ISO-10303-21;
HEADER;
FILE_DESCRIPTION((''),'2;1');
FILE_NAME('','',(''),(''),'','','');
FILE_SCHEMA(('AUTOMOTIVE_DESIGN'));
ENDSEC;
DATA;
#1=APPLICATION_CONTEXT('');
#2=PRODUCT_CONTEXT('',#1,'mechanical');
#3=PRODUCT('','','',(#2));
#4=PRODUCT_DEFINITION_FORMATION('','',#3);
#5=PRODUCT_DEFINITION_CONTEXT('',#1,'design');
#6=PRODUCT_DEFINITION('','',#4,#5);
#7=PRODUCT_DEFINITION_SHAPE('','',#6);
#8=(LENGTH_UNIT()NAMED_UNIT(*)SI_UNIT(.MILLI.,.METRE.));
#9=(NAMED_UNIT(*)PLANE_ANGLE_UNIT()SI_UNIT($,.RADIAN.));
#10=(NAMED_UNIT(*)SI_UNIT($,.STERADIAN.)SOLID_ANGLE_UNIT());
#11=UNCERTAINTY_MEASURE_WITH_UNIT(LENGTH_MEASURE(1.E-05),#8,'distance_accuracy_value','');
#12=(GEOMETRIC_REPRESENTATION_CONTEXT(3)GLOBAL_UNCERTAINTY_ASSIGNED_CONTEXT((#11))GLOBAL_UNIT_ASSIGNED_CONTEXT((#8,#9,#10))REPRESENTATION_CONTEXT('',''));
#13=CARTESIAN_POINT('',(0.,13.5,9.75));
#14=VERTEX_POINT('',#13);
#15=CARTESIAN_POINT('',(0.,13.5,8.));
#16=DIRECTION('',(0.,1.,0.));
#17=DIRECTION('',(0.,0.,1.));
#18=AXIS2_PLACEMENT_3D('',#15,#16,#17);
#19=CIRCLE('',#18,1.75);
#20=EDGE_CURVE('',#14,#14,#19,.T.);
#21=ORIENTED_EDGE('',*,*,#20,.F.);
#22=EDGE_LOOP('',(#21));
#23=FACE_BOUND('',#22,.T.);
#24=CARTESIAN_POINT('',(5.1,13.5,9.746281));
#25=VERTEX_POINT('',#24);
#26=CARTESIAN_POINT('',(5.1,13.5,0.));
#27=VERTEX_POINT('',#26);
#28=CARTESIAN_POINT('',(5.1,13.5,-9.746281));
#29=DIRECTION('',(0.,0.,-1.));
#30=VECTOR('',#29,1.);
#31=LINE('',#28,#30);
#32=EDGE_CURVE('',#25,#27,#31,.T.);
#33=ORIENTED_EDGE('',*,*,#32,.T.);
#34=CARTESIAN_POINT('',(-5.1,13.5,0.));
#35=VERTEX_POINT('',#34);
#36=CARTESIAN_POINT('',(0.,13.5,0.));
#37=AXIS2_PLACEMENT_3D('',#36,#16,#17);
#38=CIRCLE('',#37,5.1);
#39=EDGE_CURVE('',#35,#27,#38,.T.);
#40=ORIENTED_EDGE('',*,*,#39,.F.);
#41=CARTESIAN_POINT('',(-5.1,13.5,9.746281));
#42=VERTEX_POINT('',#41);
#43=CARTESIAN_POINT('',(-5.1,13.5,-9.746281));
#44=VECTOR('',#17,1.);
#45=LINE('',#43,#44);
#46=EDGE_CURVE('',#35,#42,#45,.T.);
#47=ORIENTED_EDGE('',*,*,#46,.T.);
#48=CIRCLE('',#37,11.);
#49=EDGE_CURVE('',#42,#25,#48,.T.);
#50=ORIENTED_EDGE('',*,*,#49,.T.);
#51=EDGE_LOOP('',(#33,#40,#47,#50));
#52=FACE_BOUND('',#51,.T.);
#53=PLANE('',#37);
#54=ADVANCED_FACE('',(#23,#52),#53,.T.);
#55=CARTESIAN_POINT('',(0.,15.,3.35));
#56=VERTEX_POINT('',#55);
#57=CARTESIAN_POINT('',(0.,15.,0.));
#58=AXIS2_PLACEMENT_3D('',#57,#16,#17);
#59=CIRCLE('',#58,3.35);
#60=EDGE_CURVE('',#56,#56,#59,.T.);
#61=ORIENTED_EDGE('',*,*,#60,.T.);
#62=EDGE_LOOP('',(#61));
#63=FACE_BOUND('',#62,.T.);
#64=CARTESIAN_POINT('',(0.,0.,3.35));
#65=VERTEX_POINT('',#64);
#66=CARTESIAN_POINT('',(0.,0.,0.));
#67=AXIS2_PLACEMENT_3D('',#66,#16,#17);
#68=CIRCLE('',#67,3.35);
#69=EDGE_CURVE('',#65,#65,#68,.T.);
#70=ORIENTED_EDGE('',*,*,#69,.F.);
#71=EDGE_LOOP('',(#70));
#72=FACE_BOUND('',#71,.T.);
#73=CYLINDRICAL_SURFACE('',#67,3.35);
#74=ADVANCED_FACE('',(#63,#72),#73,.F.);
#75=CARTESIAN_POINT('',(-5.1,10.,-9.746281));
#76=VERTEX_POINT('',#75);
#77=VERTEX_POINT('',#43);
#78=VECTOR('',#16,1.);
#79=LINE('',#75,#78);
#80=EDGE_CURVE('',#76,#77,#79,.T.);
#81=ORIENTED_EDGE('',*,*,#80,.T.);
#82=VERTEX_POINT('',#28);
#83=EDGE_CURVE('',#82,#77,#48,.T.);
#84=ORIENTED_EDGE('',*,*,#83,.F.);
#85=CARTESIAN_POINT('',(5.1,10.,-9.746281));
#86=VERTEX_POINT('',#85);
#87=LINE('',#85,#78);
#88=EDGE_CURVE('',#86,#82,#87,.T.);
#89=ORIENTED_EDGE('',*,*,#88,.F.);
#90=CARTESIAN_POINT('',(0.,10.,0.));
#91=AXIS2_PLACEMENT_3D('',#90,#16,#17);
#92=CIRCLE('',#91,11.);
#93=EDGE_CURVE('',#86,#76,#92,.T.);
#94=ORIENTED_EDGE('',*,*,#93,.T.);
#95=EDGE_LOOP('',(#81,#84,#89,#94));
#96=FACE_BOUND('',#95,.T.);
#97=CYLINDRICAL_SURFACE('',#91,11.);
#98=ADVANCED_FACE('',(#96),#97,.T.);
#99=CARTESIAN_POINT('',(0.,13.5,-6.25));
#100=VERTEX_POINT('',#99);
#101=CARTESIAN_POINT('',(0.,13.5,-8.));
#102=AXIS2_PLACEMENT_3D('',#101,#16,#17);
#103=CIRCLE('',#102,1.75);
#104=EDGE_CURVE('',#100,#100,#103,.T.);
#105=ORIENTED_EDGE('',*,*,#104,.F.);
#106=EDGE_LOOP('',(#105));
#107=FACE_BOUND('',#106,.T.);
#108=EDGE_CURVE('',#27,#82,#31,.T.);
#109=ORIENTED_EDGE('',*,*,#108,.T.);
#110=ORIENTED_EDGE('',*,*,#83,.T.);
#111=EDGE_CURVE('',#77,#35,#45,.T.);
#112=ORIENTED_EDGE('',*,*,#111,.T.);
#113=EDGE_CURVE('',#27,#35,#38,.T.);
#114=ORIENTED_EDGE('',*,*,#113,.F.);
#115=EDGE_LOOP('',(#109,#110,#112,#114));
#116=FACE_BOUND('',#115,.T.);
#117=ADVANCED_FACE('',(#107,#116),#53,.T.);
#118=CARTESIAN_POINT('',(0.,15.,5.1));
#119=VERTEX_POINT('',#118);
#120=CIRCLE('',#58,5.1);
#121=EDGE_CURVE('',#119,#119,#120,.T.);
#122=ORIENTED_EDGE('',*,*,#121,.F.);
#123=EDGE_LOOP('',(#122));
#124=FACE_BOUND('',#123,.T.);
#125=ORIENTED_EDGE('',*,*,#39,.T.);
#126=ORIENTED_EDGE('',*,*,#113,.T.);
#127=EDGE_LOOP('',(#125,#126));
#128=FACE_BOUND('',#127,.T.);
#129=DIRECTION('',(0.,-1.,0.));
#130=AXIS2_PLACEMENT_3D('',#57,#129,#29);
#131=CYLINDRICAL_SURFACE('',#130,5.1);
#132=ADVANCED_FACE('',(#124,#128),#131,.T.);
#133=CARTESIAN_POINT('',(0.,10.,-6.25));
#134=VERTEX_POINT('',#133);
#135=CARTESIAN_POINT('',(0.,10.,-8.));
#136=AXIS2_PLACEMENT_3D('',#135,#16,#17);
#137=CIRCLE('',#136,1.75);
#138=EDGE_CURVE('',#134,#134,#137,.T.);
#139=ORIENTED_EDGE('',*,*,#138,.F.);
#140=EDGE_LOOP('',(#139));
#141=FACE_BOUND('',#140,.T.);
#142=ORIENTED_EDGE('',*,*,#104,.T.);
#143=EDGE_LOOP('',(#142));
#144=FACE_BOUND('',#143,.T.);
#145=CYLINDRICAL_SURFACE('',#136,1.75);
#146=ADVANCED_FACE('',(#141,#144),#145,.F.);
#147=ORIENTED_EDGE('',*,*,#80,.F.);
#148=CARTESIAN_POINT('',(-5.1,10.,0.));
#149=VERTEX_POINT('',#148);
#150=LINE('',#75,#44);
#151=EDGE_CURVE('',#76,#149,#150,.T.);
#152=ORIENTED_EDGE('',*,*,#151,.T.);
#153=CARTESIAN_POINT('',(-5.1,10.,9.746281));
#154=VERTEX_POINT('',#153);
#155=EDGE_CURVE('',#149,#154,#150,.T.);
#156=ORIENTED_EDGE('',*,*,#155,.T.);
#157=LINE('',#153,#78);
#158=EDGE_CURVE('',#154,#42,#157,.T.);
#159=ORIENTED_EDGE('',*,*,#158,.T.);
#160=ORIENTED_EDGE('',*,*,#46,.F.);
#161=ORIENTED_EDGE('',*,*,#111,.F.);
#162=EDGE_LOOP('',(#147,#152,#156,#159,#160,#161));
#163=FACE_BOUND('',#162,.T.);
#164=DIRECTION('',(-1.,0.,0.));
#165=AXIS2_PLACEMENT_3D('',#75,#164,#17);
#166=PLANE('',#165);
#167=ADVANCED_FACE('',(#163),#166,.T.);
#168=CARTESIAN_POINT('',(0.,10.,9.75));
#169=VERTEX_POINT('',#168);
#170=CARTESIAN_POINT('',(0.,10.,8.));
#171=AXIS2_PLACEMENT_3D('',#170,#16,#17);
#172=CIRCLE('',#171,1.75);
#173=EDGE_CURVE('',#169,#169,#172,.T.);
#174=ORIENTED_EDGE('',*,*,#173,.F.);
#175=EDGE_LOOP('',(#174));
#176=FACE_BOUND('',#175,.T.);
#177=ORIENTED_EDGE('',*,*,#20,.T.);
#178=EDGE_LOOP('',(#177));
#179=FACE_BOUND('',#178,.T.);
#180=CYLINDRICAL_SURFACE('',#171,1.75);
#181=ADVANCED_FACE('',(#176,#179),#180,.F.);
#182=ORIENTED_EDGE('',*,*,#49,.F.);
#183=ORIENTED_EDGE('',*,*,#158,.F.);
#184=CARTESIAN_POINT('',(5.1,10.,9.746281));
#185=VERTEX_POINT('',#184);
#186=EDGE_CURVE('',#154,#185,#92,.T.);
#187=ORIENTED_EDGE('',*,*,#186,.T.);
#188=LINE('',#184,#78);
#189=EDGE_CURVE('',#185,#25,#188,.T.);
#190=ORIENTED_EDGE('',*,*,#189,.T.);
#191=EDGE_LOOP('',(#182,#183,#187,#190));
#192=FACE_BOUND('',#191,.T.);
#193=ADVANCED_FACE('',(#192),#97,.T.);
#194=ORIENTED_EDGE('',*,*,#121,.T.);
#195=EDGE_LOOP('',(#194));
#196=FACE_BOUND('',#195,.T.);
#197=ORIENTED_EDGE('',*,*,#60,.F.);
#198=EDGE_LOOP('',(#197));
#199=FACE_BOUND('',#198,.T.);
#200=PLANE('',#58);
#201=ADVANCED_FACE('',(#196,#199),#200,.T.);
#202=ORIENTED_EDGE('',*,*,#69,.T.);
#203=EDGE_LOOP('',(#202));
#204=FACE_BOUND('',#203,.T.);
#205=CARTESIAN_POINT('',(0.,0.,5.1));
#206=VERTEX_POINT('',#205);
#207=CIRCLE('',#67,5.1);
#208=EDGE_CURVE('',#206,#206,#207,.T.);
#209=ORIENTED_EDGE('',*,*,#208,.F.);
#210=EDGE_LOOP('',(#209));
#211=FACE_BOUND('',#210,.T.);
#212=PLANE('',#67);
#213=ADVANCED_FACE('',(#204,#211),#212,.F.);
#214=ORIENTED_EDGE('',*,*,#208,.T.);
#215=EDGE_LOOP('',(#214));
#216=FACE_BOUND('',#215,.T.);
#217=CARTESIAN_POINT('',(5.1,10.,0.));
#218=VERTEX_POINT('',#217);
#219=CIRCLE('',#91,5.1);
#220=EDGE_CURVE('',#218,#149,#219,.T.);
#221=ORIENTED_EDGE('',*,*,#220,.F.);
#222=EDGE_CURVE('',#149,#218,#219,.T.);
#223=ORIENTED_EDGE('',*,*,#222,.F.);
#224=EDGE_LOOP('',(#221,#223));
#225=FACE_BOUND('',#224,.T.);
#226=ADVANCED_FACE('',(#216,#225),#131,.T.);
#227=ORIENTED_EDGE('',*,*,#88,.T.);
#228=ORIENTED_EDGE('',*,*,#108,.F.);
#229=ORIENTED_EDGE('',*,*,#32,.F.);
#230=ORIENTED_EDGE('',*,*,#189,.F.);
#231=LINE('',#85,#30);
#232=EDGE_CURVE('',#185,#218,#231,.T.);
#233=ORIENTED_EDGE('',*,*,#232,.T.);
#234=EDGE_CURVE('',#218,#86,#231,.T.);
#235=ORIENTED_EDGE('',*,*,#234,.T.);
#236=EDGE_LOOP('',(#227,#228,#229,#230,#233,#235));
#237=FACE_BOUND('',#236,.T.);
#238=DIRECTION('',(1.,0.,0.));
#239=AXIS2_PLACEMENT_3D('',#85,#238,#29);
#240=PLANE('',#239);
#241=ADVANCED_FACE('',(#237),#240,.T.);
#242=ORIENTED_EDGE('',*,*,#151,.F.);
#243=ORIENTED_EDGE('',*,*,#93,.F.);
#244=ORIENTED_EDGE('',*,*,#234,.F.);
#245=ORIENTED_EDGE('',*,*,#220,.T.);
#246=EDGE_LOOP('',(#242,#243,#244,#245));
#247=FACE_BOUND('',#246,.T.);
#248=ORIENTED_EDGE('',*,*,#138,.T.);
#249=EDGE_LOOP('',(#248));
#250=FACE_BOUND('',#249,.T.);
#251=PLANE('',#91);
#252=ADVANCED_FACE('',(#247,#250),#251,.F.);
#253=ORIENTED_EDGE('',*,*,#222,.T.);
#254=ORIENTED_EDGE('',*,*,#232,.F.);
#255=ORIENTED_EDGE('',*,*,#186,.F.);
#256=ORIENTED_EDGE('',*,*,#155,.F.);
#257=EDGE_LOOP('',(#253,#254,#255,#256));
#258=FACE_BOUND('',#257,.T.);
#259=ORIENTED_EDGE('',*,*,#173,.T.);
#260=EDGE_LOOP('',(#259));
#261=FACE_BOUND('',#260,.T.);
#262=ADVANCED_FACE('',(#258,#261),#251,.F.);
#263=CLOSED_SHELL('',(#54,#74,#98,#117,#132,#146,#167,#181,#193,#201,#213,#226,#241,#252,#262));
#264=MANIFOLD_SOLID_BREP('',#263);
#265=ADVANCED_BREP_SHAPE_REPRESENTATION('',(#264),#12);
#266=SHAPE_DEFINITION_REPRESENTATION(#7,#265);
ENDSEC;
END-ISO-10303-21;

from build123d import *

# Parameters (mm, degrees)
SKETCH1_R           = 5.1
BOSS_EXTRUDE1_DEPTH = 15
SKETCH2_R           = 1.75
BOSS_EXTRUDE2_DEPTH = 3.5
SKETCH3_R           = 3.35
CUT_EXTRUDE1_DEPTH  = 20.287560758


with BuildPart() as part:
    # Sketch1 → Boss-Extrude1 (new body)
    with BuildSketch(Plane(origin=(0, 0, 0), x_dir=(1, 0, 0), z_dir=(0, 1, 0))):
        with Locations(Location((0, 0, 0), (0, 0, 270))):
            Circle(SKETCH1_R)
    extrude(amount=BOSS_EXTRUDE1_DEPTH)

    # Sketch2 → Boss-Extrude2 (add)
    with BuildSketch(Plane(origin=(0, 13.5, 0), x_dir=(1, 0, 0), z_dir=(0, 1, 0))):
        with BuildLine():
            Line((-5.1, 9.746281342), (-5.1, -9.746281342))
            ThreePointArc((-5.1, -9.746281342), (0, -11), (5.1, -9.746281342))
            Line((5.1, -9.746281342), (5.1, 9.746281342))
            ThreePointArc((5.1, 9.746281342), (0, 11), (-5.1, 9.746281342))
        make_face()
        with Locations(Location((0, 8, 0), (0, 0, 270))):
            Circle(SKETCH2_R, mode=Mode.SUBTRACT)
        with Locations(Location((0, -8, 0), (0, 0, 270))):
            Circle(SKETCH2_R, mode=Mode.SUBTRACT)
    extrude(amount=-BOSS_EXTRUDE2_DEPTH)

    # Sketch3 → Cut-Extrude1 (cut, through all)
    with BuildSketch(Plane(origin=(0, 15, 0), x_dir=(1, 0, 0), z_dir=(0, 1, 0))):
        with Locations(Location((0, 0, 0), (0, 0, 270))):
            Circle(SKETCH3_R)
    extrude(amount=-CUT_EXTRUDE1_DEPTH, mode=Mode.SUBTRACT)


solid = part.part
